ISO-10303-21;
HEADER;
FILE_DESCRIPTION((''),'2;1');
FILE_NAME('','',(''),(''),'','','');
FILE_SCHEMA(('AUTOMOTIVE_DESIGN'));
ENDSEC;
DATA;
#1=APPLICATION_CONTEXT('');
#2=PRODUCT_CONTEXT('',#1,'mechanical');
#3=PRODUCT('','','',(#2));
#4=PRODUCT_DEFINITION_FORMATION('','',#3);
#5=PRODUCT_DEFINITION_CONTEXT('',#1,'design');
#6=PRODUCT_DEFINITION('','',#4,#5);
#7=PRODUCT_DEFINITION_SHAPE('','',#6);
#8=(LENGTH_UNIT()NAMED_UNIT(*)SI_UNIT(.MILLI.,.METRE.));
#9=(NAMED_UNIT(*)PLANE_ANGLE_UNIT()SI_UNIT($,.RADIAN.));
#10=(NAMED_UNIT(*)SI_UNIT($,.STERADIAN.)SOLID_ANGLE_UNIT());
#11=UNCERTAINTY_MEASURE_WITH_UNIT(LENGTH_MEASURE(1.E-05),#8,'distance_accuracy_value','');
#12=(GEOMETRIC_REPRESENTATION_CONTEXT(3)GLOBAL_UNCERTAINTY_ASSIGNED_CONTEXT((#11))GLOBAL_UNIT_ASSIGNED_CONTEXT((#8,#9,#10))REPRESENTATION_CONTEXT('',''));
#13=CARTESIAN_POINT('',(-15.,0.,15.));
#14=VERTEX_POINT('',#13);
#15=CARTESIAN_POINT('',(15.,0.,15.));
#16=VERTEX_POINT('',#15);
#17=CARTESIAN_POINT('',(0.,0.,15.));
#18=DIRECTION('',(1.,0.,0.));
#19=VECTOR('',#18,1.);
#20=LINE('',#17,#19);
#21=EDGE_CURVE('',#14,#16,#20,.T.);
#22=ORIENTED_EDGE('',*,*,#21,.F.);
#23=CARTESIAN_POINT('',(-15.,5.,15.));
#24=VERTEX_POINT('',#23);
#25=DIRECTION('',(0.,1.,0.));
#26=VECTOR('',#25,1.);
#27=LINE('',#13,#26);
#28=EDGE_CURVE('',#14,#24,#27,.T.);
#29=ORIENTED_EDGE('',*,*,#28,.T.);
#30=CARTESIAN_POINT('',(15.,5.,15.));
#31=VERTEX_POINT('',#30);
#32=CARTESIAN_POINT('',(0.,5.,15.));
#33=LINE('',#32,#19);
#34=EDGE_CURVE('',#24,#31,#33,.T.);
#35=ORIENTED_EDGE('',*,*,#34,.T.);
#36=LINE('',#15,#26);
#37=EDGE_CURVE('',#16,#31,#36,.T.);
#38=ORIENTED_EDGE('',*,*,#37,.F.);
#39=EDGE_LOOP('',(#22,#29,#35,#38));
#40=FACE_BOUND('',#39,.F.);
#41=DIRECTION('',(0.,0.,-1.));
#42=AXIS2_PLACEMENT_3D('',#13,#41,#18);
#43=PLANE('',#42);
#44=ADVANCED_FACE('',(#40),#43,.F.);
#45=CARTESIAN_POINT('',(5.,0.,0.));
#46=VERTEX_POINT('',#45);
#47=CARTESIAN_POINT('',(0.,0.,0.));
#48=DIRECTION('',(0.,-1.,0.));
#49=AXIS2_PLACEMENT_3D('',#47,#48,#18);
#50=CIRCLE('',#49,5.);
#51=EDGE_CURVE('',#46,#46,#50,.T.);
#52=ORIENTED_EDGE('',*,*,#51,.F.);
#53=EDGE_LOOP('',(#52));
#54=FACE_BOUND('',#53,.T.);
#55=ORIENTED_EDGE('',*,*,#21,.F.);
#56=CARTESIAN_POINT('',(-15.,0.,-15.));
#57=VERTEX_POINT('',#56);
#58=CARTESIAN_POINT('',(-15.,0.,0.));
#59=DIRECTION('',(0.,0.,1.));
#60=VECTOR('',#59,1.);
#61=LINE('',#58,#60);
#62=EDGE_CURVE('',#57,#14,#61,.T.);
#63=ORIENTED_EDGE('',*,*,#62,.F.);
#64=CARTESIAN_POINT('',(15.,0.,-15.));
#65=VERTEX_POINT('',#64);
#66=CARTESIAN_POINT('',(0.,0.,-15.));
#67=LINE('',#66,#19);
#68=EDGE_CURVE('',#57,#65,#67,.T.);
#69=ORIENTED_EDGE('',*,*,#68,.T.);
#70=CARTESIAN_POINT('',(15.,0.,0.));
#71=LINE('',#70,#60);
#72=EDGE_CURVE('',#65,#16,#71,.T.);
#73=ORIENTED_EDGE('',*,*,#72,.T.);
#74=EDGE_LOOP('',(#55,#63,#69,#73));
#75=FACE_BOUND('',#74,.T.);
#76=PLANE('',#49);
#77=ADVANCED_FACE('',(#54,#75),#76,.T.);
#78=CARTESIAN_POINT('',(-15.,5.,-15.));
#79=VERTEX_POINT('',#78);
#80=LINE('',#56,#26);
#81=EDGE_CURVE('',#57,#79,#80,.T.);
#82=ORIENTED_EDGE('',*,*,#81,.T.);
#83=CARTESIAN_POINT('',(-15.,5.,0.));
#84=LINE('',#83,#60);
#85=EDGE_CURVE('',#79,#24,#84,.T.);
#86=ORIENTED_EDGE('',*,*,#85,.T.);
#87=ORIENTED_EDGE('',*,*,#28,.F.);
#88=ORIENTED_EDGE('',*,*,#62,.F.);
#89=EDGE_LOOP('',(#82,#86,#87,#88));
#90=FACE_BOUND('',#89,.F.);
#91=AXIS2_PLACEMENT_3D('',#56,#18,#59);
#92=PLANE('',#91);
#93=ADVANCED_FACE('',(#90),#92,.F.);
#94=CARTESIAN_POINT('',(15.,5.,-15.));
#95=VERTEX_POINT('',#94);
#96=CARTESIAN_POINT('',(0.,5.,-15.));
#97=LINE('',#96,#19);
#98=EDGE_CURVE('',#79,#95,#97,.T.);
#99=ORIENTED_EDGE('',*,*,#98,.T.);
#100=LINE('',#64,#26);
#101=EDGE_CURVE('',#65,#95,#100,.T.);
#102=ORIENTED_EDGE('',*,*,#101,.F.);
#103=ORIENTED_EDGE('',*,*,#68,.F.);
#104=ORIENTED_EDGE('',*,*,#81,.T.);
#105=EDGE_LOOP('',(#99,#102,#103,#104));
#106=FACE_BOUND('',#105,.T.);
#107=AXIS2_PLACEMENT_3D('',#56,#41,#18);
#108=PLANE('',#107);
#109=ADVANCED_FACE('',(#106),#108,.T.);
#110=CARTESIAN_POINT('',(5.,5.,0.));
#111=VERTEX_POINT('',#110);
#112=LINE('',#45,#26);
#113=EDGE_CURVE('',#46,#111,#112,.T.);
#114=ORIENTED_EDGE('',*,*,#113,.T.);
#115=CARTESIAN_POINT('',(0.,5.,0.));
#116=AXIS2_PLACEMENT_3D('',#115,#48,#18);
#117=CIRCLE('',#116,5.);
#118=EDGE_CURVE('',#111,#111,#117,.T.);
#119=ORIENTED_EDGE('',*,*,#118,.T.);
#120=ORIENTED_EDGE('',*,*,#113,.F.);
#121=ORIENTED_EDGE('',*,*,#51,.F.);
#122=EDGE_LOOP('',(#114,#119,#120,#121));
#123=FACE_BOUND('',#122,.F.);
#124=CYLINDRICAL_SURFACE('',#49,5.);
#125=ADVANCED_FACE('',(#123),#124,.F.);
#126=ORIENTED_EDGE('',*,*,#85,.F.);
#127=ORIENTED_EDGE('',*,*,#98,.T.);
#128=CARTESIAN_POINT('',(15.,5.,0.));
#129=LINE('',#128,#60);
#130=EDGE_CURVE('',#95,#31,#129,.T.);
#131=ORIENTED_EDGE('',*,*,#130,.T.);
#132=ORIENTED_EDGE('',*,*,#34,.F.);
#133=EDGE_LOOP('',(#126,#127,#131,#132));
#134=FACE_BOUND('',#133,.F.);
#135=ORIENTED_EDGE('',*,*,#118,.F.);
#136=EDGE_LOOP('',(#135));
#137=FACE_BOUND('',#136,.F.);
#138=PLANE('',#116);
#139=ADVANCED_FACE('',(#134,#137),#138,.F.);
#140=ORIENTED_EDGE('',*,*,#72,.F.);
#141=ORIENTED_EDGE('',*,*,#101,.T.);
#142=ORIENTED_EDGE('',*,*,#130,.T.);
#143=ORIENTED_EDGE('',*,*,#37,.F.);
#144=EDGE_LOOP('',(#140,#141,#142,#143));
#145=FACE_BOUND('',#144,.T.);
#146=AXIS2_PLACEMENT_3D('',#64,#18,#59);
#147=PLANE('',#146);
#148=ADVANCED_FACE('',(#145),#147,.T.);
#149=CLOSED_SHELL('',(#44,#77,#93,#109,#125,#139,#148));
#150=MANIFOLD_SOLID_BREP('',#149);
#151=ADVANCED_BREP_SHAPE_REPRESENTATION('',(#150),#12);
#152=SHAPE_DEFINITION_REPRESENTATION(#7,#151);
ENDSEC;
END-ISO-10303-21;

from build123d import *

# Parameters (mm, degrees)
F0_W     = 30
F0_H     = 30
F0_R     = 5
F1_DEPTH = 5


with BuildPart() as f1:
    # F0 (on Front) → F1 (new body)
    with BuildSketch(Plane.XZ):
        Rectangle(F0_W, F0_H)
        Circle(F0_R, mode=Mode.SUBTRACT)
    extrude(amount=-F1_DEPTH)


solid = f1.part
